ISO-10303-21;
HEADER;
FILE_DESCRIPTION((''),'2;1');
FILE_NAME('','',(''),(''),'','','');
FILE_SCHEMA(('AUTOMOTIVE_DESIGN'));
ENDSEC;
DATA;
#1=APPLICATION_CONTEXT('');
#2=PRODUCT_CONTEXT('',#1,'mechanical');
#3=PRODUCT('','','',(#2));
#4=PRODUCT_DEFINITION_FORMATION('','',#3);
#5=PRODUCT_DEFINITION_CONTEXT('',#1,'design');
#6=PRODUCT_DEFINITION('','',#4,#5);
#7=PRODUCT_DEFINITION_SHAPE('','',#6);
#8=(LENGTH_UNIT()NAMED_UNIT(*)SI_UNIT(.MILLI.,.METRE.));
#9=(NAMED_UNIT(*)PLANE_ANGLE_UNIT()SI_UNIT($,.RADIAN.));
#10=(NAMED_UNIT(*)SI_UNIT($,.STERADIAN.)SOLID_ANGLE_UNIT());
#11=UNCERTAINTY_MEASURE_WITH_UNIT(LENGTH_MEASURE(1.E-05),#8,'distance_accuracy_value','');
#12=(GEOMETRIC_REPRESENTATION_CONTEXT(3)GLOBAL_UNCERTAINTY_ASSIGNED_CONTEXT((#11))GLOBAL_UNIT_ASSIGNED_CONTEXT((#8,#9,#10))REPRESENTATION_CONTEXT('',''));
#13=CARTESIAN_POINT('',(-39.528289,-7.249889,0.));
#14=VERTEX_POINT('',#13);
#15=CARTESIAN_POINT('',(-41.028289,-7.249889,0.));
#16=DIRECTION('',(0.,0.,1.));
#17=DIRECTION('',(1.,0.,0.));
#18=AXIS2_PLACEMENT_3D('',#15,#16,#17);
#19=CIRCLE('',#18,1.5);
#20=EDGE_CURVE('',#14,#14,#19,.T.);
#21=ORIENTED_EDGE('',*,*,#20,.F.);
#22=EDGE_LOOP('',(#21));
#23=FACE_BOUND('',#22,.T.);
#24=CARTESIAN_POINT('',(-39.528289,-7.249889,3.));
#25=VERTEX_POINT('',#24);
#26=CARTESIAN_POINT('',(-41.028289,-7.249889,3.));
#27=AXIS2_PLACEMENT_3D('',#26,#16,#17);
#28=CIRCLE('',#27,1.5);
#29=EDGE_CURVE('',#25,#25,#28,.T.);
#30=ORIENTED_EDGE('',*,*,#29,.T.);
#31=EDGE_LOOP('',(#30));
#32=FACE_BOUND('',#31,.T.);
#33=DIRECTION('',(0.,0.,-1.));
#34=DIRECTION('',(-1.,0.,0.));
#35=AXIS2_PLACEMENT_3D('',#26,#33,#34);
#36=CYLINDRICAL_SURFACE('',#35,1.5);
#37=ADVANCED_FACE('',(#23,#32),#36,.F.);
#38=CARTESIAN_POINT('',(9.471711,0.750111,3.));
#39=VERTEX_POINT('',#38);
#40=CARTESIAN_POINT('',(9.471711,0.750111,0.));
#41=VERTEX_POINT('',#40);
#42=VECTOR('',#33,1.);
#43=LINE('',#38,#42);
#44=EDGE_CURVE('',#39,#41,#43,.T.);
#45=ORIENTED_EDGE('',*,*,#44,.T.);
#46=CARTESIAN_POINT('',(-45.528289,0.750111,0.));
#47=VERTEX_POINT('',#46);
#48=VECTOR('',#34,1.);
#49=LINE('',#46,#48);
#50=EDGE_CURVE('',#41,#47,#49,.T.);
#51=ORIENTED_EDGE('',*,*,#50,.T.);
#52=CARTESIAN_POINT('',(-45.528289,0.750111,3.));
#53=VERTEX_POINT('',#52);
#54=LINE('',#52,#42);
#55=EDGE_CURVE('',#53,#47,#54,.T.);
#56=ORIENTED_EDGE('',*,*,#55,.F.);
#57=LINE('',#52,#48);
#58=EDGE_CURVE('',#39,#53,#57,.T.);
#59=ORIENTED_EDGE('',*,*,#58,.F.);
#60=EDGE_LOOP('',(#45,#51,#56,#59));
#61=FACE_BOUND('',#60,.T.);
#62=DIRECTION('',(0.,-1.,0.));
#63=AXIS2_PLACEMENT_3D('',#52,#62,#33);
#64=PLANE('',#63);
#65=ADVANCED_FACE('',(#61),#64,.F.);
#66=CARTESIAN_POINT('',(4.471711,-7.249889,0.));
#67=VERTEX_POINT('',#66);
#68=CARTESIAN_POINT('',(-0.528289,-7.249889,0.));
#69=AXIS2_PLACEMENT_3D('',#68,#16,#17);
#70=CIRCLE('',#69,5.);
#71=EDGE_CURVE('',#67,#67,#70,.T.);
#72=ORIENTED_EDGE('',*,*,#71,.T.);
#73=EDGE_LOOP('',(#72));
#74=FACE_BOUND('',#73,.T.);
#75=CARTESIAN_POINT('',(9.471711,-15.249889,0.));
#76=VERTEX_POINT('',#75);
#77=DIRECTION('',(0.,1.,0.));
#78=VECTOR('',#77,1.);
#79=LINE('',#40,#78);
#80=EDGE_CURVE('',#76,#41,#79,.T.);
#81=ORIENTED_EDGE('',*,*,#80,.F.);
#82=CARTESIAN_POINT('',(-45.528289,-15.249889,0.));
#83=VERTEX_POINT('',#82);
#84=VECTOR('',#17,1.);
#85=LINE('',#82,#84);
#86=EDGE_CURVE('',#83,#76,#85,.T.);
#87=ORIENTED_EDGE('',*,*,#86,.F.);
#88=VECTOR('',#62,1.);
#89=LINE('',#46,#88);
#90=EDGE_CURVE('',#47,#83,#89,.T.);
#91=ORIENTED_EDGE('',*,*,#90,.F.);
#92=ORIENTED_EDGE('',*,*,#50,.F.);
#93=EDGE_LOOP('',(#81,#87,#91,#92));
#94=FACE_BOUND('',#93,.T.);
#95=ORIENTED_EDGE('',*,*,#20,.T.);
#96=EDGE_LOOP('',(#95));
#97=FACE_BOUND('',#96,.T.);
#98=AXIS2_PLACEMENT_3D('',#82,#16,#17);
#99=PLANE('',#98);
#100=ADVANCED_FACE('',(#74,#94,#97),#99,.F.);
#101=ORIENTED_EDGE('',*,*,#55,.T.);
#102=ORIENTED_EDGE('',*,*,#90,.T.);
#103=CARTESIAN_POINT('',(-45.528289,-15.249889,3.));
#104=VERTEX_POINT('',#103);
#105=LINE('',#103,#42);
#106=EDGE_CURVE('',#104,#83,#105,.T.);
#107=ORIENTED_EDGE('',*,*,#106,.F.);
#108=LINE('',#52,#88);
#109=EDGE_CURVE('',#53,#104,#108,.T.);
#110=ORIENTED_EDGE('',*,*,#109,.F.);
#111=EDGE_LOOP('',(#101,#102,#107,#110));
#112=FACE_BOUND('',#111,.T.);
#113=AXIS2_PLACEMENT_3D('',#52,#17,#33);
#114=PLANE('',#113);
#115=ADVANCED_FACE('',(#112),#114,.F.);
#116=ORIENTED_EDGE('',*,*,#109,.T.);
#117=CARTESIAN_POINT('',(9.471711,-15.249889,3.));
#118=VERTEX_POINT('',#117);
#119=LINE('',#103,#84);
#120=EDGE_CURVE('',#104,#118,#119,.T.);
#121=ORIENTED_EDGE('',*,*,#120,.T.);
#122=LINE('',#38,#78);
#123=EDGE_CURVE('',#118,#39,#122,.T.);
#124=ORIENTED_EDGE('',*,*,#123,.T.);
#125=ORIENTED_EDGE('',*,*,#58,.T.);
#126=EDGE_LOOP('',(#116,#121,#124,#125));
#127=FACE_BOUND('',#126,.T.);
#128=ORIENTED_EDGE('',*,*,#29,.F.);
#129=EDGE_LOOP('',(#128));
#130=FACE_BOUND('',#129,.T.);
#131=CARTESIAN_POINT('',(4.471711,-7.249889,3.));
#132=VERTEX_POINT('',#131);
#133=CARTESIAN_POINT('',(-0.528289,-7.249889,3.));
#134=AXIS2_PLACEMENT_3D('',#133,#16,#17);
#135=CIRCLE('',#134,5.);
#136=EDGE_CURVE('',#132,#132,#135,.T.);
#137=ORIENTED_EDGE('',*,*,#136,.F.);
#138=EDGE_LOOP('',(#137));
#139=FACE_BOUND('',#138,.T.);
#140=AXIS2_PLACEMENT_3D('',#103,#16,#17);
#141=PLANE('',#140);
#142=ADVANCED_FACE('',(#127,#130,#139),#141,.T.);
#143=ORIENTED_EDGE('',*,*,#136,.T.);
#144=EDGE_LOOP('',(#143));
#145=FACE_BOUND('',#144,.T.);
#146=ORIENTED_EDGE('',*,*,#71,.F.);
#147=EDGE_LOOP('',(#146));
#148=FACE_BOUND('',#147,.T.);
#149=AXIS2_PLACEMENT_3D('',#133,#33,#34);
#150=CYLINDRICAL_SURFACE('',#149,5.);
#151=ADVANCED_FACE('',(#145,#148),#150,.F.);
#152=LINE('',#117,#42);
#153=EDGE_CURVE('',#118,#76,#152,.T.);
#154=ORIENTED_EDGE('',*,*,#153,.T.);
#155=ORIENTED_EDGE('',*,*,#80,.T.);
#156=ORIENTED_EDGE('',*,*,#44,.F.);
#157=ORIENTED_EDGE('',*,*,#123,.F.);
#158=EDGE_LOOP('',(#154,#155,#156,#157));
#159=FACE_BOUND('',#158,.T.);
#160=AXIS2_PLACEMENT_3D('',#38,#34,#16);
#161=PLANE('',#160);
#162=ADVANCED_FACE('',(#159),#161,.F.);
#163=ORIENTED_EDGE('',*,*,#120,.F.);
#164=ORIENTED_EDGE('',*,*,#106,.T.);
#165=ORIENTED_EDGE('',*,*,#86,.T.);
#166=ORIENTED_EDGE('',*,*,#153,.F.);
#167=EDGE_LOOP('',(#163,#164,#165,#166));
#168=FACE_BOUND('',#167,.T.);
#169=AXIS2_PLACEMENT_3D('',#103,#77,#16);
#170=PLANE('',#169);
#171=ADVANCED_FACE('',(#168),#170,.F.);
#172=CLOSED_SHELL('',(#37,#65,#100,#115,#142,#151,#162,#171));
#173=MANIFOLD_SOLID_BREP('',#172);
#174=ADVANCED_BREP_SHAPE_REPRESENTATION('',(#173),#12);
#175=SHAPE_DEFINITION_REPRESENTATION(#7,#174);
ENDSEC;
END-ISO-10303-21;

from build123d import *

# Parameters (mm, degrees)
ESQUISSE1_W        = 55
ESQUISSE1_H        = 16
ESQUISSE1_R        = 5
ESQUISSE1_R_2      = 1.5
BOSS_EXTRU_1_DEPTH = 3


with BuildPart() as part:
    # Esquisse1 → Boss.-Extru.1 (new body)
    with BuildSketch(Plane.XY):
        with Locations((-18.028289264, -7.249888765)):
            Rectangle(ESQUISSE1_W, ESQUISSE1_H)
        with Locations((-0.528289264, -7.249888765)):
            Circle(ESQUISSE1_R, mode=Mode.SUBTRACT)
        with Locations((-41.028289264, -7.249888765)):
            Circle(ESQUISSE1_R_2, mode=Mode.SUBTRACT)
    extrude(amount=BOSS_EXTRU_1_DEPTH)


solid = part.part
